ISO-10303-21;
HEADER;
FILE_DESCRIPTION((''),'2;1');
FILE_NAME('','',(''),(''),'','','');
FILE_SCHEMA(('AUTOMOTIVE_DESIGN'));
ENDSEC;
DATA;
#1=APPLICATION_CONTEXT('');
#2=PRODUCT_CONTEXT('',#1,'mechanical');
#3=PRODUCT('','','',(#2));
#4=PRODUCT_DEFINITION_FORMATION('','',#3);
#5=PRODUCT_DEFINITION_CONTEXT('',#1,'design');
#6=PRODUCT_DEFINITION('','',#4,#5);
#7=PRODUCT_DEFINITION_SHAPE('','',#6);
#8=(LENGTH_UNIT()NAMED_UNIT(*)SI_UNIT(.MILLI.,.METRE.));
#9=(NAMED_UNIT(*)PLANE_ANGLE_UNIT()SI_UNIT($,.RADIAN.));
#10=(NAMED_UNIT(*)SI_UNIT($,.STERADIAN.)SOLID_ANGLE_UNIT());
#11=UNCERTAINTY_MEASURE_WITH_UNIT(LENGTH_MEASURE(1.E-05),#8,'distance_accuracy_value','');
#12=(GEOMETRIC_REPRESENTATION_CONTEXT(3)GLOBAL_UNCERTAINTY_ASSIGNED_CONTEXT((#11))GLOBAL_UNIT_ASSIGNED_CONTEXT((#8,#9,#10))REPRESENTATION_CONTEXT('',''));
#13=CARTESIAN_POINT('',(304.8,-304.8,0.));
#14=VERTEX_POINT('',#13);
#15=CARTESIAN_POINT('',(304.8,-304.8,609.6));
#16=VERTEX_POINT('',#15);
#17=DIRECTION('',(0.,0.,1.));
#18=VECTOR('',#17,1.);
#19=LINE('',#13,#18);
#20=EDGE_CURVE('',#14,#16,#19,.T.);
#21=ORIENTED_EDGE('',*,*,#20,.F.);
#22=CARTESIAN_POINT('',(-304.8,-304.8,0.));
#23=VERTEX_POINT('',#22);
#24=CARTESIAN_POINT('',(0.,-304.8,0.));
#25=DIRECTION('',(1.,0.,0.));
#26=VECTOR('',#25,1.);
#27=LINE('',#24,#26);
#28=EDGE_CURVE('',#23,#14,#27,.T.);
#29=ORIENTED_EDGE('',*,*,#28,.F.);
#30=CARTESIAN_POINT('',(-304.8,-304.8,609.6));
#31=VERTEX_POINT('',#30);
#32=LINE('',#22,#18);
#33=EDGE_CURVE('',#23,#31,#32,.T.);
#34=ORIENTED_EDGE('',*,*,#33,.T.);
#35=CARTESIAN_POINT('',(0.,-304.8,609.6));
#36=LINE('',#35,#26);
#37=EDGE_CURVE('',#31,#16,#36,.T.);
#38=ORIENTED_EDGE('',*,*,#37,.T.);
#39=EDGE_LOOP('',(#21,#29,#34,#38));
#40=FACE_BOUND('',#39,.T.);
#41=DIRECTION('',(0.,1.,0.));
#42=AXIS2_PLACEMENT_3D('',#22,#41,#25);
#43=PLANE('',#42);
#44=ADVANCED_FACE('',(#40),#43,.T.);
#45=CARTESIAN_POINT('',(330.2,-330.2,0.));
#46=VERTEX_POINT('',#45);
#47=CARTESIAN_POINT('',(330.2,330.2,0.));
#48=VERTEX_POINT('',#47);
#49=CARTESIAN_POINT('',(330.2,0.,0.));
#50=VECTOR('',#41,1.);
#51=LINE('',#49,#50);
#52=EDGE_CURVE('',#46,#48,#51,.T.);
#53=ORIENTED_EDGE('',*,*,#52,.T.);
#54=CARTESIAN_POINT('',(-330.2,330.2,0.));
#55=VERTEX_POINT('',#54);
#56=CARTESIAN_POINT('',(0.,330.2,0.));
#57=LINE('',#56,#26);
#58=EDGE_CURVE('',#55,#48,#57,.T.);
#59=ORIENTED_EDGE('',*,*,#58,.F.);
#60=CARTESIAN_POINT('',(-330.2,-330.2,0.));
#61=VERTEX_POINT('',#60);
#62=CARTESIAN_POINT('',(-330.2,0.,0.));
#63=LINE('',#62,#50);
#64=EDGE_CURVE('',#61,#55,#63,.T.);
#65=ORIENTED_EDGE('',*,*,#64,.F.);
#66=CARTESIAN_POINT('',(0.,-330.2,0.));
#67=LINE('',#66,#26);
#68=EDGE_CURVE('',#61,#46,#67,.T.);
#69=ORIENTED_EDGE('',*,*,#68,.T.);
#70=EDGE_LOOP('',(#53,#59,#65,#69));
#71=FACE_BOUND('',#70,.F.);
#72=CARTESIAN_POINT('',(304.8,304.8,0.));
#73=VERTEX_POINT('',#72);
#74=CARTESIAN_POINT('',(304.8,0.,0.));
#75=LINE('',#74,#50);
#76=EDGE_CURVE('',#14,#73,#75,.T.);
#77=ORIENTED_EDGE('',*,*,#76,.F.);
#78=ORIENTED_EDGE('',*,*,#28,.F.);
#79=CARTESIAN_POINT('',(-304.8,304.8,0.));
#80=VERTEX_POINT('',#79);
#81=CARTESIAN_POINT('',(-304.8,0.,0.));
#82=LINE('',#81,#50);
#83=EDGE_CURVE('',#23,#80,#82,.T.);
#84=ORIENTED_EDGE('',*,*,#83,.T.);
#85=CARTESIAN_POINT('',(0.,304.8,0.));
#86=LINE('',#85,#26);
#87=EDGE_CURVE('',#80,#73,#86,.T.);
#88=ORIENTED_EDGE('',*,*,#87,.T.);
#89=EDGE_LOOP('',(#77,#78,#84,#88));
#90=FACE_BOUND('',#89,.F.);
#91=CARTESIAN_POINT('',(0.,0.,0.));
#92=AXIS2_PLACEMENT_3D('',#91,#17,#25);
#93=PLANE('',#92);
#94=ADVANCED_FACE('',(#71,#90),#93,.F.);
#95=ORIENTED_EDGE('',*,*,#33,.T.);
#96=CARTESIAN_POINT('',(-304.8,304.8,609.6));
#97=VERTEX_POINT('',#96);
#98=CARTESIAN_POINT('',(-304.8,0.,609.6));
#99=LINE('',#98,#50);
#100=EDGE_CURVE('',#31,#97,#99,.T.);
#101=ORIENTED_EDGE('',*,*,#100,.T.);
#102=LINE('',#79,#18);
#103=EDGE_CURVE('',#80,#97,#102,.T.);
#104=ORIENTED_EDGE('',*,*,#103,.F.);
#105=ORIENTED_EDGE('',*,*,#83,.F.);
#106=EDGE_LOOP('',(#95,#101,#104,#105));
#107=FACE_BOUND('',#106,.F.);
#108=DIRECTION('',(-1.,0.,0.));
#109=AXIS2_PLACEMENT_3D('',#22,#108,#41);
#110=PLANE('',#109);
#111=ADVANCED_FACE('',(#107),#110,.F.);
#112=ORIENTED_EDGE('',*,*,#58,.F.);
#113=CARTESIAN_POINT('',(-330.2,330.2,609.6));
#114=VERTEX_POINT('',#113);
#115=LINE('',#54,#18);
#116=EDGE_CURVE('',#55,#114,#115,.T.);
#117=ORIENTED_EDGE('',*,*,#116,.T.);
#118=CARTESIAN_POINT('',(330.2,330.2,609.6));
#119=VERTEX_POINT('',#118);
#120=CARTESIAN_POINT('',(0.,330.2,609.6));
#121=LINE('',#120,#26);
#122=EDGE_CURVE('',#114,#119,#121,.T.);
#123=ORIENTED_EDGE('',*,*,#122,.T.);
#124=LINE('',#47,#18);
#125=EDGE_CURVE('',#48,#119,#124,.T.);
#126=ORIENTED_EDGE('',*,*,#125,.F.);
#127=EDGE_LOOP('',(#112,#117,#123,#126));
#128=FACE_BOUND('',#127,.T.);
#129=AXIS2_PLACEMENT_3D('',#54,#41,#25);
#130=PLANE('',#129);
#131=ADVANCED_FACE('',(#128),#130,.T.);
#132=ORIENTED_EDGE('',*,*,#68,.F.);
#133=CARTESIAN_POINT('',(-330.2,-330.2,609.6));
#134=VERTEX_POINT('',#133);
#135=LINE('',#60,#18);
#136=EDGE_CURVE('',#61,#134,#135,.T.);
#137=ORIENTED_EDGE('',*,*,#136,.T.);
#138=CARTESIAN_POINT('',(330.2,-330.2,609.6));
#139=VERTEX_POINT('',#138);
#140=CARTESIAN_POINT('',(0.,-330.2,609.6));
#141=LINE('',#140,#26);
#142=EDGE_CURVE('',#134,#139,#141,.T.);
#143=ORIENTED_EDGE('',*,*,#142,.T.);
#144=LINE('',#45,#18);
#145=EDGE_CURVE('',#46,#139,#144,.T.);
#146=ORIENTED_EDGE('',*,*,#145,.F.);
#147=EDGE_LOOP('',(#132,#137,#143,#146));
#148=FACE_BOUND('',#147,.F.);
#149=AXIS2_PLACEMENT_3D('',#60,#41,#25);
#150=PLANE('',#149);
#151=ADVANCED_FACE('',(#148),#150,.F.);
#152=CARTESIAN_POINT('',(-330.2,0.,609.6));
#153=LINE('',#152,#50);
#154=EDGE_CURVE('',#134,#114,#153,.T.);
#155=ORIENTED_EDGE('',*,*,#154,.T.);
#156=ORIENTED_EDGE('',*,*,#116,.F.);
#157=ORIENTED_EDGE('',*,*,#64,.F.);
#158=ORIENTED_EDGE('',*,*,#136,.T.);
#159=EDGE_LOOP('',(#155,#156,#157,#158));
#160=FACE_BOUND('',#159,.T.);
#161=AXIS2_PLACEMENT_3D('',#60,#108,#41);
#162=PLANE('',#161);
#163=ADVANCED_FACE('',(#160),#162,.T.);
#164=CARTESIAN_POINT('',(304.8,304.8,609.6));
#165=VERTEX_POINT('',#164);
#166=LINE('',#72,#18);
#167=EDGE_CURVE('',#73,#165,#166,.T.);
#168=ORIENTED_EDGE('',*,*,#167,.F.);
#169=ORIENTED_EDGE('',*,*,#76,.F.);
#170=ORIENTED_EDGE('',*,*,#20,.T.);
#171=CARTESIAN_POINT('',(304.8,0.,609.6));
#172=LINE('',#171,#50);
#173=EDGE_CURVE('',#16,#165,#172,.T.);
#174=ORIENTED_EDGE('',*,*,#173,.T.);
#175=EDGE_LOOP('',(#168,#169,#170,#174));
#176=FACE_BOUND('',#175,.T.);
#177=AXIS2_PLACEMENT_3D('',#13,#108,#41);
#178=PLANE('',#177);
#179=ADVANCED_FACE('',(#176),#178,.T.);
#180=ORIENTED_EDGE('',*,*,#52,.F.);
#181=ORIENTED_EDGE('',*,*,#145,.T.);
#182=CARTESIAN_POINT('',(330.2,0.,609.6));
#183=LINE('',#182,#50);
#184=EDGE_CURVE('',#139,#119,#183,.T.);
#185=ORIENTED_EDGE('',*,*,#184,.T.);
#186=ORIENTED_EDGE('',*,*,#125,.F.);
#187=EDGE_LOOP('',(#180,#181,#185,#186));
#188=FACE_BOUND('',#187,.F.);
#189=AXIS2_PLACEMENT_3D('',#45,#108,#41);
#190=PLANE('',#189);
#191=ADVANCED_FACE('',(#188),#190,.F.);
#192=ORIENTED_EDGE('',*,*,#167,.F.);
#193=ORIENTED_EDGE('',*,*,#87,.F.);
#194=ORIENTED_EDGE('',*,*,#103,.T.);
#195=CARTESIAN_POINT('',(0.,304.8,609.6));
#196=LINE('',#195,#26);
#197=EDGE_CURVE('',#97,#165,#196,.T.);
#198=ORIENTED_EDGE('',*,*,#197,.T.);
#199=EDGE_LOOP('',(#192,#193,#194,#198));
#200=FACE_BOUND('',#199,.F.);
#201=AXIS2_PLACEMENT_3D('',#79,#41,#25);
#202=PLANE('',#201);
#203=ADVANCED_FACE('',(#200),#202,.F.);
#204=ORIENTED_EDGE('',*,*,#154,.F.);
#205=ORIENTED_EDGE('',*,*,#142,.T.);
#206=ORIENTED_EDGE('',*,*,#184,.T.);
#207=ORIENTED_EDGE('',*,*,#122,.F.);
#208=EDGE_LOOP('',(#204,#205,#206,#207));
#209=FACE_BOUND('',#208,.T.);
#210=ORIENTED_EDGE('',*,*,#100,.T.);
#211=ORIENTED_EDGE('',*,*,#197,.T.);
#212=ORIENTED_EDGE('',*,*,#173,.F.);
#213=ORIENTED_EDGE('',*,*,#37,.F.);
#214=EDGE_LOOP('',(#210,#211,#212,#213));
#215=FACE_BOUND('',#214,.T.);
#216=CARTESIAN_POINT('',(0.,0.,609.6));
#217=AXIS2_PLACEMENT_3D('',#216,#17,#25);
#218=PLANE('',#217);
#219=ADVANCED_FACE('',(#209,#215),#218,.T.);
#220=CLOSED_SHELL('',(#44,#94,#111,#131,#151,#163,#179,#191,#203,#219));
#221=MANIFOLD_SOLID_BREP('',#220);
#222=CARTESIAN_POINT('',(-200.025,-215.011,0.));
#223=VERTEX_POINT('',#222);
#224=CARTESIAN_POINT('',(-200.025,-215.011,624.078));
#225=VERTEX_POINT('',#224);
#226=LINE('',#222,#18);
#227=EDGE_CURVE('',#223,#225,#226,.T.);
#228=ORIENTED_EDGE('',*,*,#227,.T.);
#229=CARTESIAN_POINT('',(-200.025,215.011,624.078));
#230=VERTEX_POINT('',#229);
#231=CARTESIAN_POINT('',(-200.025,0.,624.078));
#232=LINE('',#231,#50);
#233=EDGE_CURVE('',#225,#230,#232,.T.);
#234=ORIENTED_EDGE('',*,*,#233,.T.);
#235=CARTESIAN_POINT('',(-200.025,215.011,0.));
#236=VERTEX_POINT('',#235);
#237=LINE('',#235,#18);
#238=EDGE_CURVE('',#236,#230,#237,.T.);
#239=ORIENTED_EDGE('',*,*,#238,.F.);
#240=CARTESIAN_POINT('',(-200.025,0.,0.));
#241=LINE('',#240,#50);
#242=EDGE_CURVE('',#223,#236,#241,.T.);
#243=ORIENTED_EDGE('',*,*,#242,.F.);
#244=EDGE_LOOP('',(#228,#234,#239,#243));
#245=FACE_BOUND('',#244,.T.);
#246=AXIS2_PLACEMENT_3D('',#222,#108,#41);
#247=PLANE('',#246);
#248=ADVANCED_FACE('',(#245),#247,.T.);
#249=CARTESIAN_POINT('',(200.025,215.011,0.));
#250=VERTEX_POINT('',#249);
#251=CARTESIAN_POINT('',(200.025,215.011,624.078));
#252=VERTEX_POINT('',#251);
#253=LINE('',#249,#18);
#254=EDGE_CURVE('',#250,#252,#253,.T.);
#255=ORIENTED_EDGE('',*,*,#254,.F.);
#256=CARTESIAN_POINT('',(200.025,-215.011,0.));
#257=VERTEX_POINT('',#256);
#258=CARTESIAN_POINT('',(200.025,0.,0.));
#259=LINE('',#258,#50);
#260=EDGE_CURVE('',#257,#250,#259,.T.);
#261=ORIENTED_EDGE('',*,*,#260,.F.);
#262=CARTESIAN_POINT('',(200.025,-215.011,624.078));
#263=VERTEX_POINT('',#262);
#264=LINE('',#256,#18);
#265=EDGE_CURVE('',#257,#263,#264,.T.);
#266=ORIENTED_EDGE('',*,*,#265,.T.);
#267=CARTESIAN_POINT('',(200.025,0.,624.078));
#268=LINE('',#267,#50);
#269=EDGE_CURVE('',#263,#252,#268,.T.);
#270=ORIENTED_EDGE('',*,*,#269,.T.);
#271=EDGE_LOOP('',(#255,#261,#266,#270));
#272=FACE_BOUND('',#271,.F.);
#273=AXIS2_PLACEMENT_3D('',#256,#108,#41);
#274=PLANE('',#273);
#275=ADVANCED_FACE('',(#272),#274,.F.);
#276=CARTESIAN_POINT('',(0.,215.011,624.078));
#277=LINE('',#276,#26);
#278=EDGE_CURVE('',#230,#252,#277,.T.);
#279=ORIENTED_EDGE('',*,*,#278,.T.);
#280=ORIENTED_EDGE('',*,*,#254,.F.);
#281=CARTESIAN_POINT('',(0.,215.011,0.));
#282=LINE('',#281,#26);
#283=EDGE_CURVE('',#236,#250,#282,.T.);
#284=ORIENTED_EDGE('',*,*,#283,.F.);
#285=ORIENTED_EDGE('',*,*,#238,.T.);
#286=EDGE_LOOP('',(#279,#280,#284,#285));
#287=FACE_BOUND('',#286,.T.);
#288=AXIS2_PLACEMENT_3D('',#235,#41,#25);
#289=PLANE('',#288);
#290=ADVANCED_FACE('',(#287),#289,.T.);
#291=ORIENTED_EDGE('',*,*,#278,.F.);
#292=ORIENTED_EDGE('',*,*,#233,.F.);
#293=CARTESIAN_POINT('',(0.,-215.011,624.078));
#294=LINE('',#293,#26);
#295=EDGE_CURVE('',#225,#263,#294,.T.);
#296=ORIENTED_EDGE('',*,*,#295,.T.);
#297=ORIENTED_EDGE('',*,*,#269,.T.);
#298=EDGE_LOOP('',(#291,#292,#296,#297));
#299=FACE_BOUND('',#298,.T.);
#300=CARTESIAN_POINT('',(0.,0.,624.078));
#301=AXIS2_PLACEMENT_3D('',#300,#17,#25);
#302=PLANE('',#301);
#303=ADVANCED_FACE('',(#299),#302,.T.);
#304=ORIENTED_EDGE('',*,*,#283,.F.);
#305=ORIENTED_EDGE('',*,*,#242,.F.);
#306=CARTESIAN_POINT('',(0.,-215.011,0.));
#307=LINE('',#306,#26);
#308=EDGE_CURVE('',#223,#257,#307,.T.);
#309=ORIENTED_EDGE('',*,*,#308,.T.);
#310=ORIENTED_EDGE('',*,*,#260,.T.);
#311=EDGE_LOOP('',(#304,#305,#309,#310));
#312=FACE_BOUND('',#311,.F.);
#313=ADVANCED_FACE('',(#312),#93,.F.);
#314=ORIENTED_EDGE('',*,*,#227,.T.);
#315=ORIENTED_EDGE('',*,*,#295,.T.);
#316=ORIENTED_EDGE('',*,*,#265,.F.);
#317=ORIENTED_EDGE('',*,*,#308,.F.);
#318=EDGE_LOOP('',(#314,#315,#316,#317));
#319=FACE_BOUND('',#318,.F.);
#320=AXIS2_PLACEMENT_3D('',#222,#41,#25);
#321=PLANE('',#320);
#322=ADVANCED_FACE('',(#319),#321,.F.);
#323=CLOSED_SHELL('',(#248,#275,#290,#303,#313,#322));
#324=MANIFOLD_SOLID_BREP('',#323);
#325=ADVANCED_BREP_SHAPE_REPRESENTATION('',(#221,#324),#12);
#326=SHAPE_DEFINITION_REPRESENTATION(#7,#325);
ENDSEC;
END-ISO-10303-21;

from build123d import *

# Parameters (mm, degrees)
F0_W     = 400.05
F0_H     = 430.022
F2_DEPTH = 624.078
F1_W     = 660.4
F1_H     = 660.4
F1_W_2   = 609.6
F1_H_2   = 609.6
F3_DEPTH = 609.6


with BuildPart() as f2:
    # F0 (on Top) → F2 (new body)
    with BuildSketch(Plane.XY):
        Rectangle(F0_W, F0_H)
    extrude(amount=F2_DEPTH)


with BuildPart() as f3:
    # F1 (on Top) → F3 (new body)
    with BuildSketch(Plane.XY):
        Rectangle(F1_W, F1_H)
        Rectangle(F1_W_2, F1_H_2, mode=Mode.SUBTRACT)
    extrude(amount=F3_DEPTH)


solid = Compound([f2.part, f3.part])
